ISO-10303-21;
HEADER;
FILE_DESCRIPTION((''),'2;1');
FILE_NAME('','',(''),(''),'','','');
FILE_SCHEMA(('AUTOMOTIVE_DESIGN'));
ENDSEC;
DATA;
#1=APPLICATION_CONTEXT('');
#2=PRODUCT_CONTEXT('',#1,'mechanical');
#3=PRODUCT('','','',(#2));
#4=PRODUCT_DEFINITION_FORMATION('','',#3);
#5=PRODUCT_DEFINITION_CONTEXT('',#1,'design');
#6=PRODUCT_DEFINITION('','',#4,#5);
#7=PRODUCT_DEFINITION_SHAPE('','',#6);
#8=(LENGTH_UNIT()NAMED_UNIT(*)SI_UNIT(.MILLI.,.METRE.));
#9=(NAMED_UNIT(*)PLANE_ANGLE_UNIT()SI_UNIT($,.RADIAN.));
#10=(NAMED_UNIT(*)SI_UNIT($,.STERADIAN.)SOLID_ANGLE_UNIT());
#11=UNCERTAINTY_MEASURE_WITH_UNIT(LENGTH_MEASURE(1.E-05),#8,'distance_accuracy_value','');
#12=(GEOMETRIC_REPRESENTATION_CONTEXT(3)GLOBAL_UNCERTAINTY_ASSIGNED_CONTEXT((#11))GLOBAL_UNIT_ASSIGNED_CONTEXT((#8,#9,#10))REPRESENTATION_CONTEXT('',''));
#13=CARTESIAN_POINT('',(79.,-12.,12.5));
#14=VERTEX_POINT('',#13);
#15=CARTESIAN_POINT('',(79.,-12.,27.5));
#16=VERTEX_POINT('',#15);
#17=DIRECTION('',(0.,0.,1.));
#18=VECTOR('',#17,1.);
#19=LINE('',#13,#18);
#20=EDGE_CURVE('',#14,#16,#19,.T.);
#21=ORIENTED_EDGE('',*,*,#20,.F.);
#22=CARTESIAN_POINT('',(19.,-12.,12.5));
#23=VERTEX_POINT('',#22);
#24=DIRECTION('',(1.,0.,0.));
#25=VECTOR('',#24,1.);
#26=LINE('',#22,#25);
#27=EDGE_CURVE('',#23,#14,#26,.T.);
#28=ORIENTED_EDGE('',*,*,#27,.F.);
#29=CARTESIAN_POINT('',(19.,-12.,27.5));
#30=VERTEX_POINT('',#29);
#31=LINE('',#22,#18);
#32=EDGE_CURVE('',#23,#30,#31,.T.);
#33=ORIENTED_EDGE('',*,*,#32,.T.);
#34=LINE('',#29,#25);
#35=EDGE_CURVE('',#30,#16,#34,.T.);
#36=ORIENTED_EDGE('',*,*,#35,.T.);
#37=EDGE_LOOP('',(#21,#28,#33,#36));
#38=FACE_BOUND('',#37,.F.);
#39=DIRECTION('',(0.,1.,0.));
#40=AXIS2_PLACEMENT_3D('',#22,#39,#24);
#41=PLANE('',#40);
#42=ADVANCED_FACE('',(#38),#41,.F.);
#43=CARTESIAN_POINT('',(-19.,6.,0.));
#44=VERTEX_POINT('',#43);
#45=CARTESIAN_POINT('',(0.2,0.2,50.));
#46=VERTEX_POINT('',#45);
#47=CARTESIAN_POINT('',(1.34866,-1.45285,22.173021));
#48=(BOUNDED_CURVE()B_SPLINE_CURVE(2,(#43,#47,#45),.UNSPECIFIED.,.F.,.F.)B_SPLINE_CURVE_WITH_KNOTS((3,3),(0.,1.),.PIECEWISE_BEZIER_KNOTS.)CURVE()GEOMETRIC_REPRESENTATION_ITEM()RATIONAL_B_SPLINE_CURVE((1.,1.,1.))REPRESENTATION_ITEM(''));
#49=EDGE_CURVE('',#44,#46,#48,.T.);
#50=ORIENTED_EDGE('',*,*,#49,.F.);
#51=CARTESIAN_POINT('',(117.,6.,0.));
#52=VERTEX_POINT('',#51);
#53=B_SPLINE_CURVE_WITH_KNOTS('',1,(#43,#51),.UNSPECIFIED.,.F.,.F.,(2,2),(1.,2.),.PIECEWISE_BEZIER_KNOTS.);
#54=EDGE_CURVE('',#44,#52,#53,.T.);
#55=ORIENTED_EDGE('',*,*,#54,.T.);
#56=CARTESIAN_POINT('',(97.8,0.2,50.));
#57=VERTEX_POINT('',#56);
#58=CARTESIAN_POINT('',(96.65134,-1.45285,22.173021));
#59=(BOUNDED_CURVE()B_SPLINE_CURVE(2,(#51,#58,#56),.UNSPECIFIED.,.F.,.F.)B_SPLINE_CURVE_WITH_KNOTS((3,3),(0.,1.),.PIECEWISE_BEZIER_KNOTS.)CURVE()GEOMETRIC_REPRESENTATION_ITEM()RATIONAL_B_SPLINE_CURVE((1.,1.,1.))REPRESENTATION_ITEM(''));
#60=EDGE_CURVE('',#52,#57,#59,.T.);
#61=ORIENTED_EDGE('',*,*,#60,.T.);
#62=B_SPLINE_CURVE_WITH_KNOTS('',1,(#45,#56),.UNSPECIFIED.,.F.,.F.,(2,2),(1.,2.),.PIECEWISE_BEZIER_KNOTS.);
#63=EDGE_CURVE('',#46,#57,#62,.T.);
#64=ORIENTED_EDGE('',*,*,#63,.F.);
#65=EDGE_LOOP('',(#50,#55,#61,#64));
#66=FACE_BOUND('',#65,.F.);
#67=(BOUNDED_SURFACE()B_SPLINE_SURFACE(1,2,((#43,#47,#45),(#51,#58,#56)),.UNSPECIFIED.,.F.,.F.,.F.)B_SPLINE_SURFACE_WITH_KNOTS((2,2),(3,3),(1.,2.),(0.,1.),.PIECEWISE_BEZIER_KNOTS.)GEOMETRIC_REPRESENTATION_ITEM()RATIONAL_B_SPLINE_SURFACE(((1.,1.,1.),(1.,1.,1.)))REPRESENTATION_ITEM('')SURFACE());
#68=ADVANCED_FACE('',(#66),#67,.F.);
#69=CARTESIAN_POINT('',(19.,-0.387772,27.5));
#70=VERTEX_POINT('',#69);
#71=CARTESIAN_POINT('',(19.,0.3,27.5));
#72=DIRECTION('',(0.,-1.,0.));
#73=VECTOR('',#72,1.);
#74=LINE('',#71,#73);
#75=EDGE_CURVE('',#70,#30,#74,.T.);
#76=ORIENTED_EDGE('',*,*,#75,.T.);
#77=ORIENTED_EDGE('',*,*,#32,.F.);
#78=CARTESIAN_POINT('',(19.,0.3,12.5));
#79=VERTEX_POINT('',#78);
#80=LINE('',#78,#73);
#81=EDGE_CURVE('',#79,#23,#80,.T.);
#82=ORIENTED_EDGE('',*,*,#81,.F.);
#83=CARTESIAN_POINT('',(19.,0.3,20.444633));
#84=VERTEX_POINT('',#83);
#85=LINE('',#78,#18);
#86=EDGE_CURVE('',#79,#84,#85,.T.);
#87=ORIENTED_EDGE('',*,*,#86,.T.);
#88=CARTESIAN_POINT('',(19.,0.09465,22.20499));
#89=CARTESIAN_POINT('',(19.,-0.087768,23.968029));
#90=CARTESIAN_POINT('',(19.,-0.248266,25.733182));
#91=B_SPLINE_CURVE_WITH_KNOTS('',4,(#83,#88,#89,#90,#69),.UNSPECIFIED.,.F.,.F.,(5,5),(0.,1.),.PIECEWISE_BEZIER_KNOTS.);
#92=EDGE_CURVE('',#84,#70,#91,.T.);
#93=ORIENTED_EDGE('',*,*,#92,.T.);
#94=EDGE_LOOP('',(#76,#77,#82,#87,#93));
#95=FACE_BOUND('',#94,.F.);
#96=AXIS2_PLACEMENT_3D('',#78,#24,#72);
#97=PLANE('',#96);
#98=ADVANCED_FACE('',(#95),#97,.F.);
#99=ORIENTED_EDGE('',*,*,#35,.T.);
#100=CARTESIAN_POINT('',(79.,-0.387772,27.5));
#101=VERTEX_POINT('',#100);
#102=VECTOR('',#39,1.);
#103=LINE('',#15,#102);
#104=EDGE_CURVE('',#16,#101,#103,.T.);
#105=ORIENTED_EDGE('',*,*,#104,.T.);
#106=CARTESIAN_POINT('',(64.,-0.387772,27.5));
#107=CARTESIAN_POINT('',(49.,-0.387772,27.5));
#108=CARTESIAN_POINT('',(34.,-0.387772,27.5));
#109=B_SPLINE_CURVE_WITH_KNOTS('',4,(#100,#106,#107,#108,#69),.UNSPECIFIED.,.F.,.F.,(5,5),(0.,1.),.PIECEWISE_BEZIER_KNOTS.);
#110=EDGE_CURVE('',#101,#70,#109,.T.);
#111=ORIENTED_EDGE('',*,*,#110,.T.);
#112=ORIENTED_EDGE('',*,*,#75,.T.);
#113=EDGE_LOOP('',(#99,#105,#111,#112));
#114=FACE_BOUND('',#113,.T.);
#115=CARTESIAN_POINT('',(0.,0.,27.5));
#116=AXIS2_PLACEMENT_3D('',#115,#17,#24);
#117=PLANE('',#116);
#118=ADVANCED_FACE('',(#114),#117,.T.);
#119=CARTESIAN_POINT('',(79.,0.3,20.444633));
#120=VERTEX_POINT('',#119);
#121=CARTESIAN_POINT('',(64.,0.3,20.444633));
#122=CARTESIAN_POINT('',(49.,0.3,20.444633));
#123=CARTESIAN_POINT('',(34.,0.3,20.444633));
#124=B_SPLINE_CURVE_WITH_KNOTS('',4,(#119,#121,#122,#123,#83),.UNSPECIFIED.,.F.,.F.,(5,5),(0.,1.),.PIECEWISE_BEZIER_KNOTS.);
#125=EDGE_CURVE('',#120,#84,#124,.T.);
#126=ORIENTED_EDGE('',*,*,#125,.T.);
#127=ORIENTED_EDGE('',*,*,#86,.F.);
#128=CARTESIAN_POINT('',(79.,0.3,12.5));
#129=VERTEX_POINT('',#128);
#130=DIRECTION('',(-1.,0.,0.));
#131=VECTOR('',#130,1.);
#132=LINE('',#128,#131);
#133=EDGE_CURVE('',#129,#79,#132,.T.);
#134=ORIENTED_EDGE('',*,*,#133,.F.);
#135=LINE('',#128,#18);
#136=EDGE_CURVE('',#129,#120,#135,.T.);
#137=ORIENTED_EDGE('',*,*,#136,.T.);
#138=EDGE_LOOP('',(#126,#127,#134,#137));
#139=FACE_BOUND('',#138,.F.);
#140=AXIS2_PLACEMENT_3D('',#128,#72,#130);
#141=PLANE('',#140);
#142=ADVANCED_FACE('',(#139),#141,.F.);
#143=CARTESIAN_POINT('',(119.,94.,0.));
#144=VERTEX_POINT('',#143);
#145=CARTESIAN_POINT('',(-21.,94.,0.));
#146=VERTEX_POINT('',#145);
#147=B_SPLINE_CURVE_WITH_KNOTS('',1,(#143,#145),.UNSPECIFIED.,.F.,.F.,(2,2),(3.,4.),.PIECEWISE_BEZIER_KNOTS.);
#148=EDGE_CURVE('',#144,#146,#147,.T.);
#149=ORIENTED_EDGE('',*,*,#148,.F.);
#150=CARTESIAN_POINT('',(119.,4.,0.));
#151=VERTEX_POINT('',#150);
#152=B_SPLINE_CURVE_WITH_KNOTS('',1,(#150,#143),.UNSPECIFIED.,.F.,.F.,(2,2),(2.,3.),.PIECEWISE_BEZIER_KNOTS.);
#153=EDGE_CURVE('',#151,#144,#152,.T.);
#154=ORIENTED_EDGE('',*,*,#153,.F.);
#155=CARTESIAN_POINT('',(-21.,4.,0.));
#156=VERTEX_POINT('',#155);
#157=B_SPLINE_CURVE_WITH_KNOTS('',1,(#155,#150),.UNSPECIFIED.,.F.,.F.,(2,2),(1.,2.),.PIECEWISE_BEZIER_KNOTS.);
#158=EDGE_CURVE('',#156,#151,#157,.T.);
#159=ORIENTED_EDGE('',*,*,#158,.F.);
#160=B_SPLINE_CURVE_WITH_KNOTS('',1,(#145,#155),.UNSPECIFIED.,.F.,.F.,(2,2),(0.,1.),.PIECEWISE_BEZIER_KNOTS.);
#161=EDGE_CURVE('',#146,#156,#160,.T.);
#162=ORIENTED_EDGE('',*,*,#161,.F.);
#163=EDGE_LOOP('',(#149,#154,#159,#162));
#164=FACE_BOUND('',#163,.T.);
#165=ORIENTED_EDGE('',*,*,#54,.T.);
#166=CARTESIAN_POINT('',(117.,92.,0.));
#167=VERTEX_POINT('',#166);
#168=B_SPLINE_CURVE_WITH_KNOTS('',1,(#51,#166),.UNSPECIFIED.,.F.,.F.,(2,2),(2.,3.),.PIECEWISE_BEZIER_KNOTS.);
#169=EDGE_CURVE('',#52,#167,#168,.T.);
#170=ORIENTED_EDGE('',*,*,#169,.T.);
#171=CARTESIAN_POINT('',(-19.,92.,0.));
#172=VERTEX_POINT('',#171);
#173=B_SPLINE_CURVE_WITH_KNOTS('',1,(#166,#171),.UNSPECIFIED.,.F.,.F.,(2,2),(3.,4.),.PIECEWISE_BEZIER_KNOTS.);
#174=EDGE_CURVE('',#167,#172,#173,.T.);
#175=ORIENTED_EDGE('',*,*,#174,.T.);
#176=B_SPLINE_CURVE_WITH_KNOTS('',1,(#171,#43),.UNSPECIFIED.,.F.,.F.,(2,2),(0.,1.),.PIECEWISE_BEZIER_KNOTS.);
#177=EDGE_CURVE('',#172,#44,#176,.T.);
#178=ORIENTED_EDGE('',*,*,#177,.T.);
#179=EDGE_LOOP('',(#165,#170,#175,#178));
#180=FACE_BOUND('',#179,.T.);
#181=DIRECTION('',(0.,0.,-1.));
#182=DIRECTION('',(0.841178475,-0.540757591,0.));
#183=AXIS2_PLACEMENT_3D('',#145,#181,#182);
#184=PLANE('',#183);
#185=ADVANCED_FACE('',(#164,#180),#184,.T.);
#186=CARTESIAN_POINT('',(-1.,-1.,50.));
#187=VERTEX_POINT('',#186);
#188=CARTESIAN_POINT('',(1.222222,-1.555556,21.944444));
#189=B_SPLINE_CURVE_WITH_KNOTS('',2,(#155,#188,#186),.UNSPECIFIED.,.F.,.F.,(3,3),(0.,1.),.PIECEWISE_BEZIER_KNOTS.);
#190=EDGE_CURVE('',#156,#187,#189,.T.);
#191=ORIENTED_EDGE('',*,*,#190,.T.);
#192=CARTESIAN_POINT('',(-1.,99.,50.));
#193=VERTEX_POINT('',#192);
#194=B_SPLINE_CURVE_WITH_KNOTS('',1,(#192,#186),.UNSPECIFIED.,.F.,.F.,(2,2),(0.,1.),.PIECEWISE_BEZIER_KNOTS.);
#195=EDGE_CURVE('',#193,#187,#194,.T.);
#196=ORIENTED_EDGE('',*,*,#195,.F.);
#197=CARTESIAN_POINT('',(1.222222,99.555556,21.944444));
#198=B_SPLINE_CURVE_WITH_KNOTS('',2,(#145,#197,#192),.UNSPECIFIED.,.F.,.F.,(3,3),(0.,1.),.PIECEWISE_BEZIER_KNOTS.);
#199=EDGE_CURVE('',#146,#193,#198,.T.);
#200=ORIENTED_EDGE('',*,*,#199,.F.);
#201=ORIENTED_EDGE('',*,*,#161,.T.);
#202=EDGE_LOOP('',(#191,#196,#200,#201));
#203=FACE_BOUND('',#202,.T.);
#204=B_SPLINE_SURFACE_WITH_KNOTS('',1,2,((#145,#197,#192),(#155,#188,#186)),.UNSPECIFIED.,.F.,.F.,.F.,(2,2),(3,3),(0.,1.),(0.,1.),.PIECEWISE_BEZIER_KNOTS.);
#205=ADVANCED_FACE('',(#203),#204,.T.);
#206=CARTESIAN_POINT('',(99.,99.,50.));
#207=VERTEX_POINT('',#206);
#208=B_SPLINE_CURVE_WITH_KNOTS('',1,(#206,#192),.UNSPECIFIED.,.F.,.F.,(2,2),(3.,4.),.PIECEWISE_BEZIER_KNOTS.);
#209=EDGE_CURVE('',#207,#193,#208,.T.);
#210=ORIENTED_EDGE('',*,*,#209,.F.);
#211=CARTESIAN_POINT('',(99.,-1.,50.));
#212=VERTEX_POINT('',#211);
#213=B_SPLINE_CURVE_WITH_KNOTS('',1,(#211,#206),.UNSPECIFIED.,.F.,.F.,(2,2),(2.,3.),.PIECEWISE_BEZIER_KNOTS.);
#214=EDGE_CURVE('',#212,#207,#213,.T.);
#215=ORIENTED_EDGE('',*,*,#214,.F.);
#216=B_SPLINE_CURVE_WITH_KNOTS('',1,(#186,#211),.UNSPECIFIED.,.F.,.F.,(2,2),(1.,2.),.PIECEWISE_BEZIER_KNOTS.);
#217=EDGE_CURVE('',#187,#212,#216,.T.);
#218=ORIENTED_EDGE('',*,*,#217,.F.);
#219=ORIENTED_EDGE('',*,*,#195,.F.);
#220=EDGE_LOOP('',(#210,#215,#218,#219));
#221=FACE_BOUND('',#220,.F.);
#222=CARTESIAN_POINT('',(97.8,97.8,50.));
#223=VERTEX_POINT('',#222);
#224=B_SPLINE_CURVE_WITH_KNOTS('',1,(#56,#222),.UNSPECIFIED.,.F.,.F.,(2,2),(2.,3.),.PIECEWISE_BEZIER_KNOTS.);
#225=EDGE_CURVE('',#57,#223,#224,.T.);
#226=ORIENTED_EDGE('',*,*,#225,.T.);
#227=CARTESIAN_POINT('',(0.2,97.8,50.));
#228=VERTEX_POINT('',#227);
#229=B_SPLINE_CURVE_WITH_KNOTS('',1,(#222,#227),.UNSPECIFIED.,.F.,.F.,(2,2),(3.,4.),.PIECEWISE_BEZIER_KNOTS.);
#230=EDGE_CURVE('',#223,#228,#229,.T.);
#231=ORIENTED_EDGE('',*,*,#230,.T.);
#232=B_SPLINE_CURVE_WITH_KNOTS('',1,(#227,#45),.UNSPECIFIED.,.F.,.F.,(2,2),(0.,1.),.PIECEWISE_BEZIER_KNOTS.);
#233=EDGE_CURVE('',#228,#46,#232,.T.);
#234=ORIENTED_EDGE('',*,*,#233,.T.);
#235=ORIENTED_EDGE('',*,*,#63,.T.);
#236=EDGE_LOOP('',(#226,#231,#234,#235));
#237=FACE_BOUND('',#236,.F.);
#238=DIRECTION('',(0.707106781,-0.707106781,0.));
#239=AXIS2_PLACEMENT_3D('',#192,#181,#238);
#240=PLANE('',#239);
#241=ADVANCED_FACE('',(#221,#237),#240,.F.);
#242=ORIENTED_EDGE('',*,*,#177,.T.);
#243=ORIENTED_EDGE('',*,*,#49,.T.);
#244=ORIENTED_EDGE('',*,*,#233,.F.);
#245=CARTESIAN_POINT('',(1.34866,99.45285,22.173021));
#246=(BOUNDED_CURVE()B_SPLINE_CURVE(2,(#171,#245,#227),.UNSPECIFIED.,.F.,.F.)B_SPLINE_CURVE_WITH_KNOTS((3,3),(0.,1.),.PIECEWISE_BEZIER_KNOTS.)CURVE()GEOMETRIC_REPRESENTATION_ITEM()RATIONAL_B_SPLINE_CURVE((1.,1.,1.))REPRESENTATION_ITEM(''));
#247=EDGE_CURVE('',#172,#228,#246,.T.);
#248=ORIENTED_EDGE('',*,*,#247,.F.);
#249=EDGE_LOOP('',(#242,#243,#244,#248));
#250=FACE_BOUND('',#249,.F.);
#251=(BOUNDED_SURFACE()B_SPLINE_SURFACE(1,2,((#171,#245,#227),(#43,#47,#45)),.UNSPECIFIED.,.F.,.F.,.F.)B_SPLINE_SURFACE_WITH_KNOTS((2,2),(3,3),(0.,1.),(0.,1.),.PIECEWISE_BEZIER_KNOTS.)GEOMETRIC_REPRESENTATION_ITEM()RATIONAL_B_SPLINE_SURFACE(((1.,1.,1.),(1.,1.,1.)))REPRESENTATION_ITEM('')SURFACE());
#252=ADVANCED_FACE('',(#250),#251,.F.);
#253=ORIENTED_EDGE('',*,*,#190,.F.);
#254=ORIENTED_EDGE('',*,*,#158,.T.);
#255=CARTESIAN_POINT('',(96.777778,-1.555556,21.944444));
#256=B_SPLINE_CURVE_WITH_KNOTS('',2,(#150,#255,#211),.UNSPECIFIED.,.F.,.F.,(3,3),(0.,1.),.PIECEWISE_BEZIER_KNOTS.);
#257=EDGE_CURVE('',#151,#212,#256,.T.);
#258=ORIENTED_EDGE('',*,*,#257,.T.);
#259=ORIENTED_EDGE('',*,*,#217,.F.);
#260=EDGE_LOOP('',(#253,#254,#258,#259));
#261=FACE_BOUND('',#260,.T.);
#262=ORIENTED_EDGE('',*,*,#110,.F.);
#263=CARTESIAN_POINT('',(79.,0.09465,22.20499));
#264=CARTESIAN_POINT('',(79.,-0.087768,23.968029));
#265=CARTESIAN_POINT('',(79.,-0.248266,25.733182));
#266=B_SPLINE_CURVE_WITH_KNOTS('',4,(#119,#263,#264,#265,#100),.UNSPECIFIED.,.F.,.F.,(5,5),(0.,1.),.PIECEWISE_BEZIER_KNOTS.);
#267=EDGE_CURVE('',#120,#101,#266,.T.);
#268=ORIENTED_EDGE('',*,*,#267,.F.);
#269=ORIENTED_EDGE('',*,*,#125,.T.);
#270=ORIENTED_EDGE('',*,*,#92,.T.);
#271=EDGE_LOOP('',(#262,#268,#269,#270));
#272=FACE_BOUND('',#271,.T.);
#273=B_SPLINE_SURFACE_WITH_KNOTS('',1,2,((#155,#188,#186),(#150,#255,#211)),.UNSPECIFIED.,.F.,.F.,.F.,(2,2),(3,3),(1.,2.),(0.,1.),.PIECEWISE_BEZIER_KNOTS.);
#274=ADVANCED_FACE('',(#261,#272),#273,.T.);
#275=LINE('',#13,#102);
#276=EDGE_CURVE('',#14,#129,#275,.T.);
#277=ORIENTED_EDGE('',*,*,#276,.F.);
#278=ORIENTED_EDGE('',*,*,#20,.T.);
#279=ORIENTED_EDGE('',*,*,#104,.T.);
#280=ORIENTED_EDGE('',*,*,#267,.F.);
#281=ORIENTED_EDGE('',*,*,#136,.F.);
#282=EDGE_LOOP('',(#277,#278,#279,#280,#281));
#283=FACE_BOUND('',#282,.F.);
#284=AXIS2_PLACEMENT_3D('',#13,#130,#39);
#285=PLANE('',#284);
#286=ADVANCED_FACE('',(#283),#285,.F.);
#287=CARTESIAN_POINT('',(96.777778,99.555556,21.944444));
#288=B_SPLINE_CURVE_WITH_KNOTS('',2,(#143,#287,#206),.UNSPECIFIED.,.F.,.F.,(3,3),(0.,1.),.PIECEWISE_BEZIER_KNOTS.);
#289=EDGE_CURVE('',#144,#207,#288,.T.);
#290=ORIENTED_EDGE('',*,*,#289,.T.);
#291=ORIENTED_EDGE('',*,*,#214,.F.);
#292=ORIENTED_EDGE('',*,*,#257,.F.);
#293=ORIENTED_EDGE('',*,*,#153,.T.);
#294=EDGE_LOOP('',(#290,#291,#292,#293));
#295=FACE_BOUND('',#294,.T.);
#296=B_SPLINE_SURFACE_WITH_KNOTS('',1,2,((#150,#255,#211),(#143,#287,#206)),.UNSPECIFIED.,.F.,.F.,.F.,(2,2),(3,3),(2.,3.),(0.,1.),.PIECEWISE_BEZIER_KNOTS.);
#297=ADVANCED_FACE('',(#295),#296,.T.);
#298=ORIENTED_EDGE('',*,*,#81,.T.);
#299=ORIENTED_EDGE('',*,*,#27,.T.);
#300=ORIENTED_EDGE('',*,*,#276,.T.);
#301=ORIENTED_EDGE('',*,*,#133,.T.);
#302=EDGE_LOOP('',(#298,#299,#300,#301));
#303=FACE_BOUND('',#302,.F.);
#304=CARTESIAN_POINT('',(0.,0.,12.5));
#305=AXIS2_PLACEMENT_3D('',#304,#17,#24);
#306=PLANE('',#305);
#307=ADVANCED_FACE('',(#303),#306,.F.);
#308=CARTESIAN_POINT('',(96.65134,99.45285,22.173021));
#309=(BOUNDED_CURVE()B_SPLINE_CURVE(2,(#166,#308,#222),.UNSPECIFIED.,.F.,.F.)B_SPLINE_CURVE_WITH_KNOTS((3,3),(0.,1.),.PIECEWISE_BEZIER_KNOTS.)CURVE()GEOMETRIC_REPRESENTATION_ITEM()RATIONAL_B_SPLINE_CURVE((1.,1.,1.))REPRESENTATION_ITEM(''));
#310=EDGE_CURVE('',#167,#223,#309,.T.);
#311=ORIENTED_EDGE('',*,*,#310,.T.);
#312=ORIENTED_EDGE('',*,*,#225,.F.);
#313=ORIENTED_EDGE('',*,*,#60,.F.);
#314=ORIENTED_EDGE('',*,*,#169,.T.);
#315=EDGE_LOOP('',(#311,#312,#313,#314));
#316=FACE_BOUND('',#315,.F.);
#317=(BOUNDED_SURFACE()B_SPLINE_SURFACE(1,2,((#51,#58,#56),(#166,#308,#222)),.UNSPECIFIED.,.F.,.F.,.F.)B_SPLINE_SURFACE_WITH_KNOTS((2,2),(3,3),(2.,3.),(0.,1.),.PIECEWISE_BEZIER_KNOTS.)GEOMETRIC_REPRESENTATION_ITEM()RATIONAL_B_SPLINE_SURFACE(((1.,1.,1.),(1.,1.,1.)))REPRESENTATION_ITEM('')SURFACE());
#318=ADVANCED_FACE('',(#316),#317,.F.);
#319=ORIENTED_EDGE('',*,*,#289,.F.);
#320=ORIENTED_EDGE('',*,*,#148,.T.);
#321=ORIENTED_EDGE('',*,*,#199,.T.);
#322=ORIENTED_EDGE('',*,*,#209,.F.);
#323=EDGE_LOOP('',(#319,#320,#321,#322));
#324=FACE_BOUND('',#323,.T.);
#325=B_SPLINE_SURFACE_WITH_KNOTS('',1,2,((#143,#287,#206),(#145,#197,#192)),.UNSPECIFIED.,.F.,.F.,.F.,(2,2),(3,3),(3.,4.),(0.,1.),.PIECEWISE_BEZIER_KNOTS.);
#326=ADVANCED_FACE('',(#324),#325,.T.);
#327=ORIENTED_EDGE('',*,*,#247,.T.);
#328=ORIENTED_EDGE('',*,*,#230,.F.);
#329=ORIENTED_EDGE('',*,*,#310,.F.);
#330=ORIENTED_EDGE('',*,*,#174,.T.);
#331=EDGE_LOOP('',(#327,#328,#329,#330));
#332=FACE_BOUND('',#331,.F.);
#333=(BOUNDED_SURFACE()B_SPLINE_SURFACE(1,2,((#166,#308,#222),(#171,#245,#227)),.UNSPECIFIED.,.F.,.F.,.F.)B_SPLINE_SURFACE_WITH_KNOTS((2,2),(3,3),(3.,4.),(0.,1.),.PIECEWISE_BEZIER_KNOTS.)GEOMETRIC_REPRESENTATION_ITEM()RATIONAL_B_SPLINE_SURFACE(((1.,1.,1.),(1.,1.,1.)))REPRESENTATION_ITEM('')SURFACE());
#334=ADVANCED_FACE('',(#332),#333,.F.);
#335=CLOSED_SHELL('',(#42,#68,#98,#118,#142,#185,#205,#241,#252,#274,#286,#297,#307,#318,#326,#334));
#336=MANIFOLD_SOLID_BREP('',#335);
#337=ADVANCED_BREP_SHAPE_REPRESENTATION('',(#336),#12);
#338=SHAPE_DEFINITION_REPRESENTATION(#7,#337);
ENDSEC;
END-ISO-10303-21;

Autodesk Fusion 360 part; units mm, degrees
ref_plane "WorkPlane1" through (0, 0, 40) normal (0, 0, 1) x (1, 0, 0)
ref_plane "WorkPlane2" through (0, 0, 50) normal (0, 0, 1) x (1, 0, 0)
sketch "Sketch1" plane through (0, 0, 0) normal (0, 0, 1) x (1, 0, 0)
  line L0 (-21, 4) -> (119, 4)
  line L1 (119, 4) -> (119, 94)
  line L2 (119, 94) -> (-21, 94)
  line L3 (-21, 94) -> (-21, 4)
sketch "Sketch2" plane through (0, 0, 40) normal (0, 0, 1) x (1, 0, 0)
  line L0 (-1, -1) -> (99, -1)
  line L1 (99, -1) -> (99, 99)
  line L2 (99, 99) -> (-1, 99)
  line L3 (-1, 99) -> (-1, -1)
sketch "Sketch3" plane through (0, 0, 50) normal (0, 0, 1) x (1, 0, 0)
  line L0 (-1, -1) -> (99, -1)
  line L1 (99, -1) -> (99, 99)
  line L2 (99, 99) -> (-1, 99)
  line L3 (-1, 99) -> (-1, -1)
loft "Loft1" add profiles "Sketch1", "Sketch2", "Sketch3" section 1 section 2 section 3
sketch "Sketch4" plane through (0, 0, 0) normal (0, 0, 1) x (1, 0, 0)
  line L0 (-19, 6) -> (117, 6)
  line L1 (117, 6) -> (117, 92)
  line L2 (117, 92) -> (-19, 92)
  line L3 (-19, 92) -> (-19, 6)
sketch "Sketch5" plane through (0, 0, 40) normal (0, 0, 1) x (1, 0, 0)
  line L0 (-0.1, -0.1) -> (98.1, -0.1)
  line L1 (98.1, -0.1) -> (98.1, 98.1)
  line L2 (98.1, 98.1) -> (-0.1, 98.1)
  line L3 (-0.1, 98.1) -> (-0.1, -0.1)
sketch "Sketch6" plane through (0, 0, 50) normal (0, 0, 1) x (1, 0, 0)
  line L0 (0.2, 0.2) -> (97.8, 0.2)
  line L1 (97.8, 0.2) -> (97.8, 97.8)
  line L2 (97.8, 97.8) -> (0.2, 97.8)
  line L3 (0.2, 97.8) -> (0.2, 0.2)
loft "Loft2" cut profiles "Sketch4", "Sketch5", "Sketch6" section 1 section 2 section 3
ref_plane "WorkPlane3" through (0, 0, 12.5) normal (0, 0, 1) x (1, 0, 0)
sketch "Sketch7" plane through (0, 0, 12.5) normal (0, 0, 1) x (1, 0, 0)
  line L0 (19, -12) -> (79, -12)
  line L1 (79, -12) -> (79, 0.3)
  line L2 (79, 0.3) -> (19, 0.3)
  line L3 (19, 0.3) -> (19, -12)
extrude "Extrude1" add sketch "Sketch7" along normal blind 15
